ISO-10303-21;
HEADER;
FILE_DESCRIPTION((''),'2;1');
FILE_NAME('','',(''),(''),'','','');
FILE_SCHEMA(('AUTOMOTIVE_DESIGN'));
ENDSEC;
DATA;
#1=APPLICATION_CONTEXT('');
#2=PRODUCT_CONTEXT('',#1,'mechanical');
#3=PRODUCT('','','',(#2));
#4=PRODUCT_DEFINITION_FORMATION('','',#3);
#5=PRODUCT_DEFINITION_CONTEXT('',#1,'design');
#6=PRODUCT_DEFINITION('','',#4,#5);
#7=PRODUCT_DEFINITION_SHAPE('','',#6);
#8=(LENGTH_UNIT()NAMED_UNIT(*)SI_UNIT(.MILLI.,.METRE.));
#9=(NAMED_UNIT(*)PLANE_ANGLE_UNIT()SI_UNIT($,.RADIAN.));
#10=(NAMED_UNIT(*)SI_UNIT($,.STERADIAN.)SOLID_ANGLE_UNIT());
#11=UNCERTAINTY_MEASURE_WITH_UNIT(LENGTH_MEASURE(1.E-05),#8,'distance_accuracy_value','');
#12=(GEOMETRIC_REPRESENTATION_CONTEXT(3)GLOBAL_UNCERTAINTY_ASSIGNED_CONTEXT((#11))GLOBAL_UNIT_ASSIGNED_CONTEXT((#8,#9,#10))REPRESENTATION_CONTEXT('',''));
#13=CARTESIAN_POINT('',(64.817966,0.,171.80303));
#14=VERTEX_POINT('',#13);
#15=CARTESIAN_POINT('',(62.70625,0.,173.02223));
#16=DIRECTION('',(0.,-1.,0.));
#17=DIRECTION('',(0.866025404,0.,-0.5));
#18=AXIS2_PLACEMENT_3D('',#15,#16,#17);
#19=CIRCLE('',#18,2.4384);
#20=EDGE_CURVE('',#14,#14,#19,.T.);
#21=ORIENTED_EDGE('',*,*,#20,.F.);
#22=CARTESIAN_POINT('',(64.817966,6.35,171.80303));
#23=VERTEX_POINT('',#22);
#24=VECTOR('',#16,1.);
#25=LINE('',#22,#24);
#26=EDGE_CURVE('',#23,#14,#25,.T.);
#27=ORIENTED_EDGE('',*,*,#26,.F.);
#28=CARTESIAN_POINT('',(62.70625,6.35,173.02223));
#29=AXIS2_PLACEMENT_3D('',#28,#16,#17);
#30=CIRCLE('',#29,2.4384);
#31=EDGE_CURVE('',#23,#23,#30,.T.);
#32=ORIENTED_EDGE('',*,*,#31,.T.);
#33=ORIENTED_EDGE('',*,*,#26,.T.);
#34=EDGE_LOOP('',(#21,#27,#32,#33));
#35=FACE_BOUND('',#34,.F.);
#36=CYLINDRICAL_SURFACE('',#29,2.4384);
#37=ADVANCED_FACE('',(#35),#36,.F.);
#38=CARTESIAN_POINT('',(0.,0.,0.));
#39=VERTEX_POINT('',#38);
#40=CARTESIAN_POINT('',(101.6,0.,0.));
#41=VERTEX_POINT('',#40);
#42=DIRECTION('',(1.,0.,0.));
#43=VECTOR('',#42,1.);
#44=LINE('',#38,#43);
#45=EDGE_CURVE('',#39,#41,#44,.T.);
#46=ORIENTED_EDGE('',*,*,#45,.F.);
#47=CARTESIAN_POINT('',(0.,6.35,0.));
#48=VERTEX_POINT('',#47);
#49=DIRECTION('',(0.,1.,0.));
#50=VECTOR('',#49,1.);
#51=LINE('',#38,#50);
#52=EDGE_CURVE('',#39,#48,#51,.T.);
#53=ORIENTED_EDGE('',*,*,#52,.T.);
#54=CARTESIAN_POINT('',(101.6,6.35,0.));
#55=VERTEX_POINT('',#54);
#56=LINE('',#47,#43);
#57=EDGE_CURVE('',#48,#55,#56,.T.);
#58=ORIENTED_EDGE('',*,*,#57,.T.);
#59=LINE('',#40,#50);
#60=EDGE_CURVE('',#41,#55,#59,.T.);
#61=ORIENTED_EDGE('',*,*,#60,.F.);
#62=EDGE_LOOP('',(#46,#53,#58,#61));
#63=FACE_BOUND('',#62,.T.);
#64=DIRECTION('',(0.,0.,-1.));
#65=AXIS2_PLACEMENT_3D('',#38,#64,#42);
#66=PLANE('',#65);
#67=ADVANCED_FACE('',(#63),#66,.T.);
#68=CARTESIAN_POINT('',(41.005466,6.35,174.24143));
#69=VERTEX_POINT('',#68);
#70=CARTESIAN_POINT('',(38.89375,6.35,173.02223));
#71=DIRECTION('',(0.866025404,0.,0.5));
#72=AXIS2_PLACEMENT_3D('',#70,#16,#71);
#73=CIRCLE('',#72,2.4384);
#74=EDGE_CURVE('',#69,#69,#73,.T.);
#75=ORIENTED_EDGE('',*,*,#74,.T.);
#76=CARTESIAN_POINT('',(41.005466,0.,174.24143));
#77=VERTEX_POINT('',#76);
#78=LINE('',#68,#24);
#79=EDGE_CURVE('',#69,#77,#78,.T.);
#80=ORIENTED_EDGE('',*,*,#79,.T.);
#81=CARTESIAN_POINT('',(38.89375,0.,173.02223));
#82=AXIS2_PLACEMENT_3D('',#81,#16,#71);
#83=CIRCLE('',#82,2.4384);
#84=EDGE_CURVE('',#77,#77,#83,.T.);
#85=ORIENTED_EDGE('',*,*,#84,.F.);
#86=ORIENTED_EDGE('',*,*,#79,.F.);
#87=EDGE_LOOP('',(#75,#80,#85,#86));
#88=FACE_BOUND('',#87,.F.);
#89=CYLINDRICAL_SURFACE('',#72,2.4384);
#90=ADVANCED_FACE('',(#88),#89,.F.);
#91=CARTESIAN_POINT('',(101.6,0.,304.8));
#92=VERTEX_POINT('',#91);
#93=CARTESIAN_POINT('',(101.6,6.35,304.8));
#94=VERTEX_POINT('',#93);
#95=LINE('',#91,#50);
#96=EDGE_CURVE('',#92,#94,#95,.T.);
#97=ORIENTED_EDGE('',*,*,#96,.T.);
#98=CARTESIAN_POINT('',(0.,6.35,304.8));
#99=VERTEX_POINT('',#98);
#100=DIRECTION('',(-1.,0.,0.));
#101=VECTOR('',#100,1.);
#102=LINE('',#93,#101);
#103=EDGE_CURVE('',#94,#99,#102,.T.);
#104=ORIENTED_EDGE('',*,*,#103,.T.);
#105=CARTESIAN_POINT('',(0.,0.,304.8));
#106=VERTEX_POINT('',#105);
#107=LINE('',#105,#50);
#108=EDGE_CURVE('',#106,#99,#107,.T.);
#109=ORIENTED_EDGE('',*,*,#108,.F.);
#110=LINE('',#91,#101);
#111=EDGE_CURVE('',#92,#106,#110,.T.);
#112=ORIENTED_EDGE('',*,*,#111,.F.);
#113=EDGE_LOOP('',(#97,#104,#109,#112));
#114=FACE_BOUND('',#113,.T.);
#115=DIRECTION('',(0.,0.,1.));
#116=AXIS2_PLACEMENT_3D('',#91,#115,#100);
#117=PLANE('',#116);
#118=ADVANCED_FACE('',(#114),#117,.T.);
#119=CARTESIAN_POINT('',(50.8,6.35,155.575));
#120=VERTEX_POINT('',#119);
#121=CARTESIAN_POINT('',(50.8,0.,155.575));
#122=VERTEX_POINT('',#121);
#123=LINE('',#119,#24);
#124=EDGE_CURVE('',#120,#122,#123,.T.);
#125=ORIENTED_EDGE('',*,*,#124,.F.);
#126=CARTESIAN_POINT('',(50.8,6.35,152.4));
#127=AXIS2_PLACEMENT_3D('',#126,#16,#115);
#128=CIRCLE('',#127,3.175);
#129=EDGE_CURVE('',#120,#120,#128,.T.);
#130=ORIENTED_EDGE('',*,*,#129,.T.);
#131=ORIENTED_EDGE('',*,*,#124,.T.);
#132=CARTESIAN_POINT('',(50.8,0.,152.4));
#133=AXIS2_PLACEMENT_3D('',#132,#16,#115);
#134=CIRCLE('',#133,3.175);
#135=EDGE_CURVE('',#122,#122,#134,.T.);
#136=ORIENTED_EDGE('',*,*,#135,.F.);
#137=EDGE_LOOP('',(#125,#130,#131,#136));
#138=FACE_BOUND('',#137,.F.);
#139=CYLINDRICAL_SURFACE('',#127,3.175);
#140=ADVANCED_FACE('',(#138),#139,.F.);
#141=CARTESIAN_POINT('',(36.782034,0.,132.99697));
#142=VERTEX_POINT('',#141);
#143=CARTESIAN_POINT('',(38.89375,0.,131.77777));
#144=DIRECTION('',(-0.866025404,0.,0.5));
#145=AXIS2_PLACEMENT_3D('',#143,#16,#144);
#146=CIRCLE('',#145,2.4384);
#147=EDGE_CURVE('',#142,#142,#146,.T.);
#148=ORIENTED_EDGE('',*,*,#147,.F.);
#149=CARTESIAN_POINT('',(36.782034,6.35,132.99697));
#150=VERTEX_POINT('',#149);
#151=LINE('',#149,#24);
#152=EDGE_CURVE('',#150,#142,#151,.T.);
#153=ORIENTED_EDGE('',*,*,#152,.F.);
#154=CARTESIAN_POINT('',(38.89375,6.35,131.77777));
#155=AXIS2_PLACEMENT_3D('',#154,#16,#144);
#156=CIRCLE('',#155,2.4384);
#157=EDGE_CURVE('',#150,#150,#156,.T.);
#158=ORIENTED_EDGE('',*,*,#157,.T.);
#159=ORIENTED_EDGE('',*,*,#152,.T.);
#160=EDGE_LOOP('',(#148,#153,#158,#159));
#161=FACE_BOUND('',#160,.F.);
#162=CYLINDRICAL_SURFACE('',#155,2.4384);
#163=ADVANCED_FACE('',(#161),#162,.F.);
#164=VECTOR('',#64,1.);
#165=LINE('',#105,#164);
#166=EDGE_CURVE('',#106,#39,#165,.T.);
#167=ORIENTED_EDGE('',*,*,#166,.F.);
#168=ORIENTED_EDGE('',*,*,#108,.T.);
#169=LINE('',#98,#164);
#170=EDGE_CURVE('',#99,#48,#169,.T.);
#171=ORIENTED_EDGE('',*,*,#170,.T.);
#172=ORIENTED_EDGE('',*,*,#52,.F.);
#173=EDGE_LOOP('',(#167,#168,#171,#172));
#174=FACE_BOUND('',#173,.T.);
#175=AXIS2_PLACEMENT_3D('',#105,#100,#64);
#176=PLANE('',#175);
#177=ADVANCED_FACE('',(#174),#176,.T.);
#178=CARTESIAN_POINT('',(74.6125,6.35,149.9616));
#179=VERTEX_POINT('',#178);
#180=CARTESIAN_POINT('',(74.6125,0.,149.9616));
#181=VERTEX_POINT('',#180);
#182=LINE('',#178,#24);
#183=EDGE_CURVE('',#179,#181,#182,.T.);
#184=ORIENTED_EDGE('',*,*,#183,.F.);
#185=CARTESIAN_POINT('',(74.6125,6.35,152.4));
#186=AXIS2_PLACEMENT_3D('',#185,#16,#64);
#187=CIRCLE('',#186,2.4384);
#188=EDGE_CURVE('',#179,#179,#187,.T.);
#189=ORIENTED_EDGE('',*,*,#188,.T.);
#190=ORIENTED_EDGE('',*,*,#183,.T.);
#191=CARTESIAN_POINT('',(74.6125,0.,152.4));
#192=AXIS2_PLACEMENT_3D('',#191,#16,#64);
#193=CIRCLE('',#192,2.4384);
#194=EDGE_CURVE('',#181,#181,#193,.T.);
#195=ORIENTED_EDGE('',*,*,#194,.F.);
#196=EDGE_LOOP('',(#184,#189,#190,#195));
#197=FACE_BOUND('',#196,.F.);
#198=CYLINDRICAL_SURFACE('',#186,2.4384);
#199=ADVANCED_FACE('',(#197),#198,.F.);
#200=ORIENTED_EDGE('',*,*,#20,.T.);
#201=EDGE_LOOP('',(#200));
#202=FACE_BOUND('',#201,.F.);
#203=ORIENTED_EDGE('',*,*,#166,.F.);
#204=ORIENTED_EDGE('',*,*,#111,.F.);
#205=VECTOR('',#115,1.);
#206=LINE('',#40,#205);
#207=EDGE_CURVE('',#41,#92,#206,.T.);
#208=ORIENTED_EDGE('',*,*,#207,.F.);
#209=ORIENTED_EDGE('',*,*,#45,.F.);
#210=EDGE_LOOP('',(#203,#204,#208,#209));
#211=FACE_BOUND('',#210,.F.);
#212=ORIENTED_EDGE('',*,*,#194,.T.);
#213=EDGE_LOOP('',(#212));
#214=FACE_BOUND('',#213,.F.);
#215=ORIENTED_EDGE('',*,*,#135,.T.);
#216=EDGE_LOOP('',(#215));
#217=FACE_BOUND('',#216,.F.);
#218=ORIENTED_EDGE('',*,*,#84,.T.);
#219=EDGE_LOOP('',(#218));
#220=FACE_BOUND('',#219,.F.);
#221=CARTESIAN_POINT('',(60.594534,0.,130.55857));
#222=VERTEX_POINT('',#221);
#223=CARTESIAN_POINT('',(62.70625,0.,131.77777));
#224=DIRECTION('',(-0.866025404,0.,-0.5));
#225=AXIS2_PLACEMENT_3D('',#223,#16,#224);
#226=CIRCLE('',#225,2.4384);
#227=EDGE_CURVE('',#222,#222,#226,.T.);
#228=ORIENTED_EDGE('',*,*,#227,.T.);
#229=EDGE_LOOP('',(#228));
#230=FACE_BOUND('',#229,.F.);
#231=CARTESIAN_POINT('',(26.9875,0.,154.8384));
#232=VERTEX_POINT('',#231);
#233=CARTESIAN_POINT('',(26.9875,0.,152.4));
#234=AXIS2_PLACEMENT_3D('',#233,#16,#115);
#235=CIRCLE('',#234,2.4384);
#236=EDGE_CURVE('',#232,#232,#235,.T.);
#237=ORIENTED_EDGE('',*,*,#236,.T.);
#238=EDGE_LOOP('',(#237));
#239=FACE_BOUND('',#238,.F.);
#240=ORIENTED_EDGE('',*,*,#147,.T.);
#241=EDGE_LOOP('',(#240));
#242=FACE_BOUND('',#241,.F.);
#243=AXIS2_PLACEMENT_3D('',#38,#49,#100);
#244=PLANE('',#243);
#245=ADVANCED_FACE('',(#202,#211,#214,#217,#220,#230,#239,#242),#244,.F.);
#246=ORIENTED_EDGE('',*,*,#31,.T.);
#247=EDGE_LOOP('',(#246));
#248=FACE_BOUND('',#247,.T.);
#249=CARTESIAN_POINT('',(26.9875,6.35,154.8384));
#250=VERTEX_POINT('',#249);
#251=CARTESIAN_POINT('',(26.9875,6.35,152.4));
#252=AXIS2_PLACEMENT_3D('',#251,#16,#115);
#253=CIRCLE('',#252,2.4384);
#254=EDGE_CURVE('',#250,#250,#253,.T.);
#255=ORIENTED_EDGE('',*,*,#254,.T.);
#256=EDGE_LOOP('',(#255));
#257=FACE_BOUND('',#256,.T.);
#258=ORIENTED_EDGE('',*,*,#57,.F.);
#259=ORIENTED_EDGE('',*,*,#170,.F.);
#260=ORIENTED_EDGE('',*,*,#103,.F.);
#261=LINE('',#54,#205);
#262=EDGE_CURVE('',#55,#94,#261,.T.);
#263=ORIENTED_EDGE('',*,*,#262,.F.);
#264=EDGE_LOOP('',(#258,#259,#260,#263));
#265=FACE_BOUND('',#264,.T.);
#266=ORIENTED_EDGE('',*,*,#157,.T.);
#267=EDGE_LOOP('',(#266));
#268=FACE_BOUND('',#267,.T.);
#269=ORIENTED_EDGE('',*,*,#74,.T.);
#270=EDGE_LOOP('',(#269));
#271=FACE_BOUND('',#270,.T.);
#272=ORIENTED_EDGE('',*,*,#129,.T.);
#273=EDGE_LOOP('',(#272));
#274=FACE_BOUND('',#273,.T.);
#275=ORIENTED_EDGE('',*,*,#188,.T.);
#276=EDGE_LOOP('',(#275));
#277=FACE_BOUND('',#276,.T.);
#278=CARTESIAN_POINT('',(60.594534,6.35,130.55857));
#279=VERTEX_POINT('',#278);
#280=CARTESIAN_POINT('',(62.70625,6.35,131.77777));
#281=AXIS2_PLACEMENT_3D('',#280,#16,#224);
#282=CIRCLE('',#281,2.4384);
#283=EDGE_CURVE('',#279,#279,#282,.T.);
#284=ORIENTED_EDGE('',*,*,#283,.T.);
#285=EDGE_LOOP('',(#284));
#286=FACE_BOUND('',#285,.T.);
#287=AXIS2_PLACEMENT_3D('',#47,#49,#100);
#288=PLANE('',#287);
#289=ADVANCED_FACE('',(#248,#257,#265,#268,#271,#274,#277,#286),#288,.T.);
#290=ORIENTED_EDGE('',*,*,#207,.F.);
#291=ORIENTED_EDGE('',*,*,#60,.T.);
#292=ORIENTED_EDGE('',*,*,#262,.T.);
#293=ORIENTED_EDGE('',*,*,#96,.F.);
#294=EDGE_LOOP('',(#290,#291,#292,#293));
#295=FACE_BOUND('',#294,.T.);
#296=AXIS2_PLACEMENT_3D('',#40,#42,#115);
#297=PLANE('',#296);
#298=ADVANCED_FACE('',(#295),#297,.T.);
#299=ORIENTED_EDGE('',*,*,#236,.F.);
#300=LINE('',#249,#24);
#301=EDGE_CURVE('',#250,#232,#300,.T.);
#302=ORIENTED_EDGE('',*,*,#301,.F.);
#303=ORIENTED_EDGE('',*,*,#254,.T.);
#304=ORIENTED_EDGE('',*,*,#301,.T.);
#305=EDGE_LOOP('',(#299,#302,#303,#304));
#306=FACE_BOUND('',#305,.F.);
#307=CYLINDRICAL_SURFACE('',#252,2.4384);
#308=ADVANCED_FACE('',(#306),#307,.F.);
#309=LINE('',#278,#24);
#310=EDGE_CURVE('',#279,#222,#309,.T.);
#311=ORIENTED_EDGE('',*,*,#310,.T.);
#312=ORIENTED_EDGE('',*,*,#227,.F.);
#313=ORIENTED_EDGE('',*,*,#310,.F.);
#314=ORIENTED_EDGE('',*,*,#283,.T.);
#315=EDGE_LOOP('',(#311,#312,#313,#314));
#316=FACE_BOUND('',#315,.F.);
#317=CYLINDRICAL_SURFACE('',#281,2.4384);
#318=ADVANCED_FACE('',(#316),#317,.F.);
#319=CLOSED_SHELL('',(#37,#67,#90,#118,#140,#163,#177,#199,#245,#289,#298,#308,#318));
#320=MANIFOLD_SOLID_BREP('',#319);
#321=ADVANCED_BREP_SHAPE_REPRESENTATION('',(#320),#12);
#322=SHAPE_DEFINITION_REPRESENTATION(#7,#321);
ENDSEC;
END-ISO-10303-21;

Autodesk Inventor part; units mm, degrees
ref_plane "YZ Plane" through (0, 0, 0) normal (1, 0, 0) x (0, 1, 0)
ref_plane "XZ Plane" through (0, 0, 0) normal (0, 1, 0) x (-1, 0, 0)
ref_plane "XY Plane" through (0, 0, 0) normal (0, 0, 1) x (1, 0, 0)
sketch "Sketch1" plane through (0, 0, 0) normal (0, 1, 0) x (-1, 0, 0)
  line L0 (0, 0) -> (-101.6, 0)
  line L1 (-101.6, 0) -> (-101.6, 304.8)
  line L2 (-101.6, 304.8) -> (0, 304.8)
  line L3 (0, 304.8) -> (0, 0)
  point P0 (-50.8, 152.4)
  dimension "d0" = 101.6
  dimension "d1" = 304.8
  dimension "d25" = 50.8
  dimension "d26" = 152.4
extrude "Extrusion1" add sketch "Sketch1" along normal blind 6.35
hole "Hole2" at (26.9875, 6.35, 152.4) direction (0, -1, 0) diameter 4.8768 end through all
hole "Hole3" at (50.8, 6.35, 152.4) direction (0, -1, 0) diameter 6.35 end through all
pattern_circular "Circular Pattern2" count 6 over 360 about axis through (50.8, -315.0002, 152.4) along (0, 1, 0) of "Hole2"
properties part number "Claw Plate"
